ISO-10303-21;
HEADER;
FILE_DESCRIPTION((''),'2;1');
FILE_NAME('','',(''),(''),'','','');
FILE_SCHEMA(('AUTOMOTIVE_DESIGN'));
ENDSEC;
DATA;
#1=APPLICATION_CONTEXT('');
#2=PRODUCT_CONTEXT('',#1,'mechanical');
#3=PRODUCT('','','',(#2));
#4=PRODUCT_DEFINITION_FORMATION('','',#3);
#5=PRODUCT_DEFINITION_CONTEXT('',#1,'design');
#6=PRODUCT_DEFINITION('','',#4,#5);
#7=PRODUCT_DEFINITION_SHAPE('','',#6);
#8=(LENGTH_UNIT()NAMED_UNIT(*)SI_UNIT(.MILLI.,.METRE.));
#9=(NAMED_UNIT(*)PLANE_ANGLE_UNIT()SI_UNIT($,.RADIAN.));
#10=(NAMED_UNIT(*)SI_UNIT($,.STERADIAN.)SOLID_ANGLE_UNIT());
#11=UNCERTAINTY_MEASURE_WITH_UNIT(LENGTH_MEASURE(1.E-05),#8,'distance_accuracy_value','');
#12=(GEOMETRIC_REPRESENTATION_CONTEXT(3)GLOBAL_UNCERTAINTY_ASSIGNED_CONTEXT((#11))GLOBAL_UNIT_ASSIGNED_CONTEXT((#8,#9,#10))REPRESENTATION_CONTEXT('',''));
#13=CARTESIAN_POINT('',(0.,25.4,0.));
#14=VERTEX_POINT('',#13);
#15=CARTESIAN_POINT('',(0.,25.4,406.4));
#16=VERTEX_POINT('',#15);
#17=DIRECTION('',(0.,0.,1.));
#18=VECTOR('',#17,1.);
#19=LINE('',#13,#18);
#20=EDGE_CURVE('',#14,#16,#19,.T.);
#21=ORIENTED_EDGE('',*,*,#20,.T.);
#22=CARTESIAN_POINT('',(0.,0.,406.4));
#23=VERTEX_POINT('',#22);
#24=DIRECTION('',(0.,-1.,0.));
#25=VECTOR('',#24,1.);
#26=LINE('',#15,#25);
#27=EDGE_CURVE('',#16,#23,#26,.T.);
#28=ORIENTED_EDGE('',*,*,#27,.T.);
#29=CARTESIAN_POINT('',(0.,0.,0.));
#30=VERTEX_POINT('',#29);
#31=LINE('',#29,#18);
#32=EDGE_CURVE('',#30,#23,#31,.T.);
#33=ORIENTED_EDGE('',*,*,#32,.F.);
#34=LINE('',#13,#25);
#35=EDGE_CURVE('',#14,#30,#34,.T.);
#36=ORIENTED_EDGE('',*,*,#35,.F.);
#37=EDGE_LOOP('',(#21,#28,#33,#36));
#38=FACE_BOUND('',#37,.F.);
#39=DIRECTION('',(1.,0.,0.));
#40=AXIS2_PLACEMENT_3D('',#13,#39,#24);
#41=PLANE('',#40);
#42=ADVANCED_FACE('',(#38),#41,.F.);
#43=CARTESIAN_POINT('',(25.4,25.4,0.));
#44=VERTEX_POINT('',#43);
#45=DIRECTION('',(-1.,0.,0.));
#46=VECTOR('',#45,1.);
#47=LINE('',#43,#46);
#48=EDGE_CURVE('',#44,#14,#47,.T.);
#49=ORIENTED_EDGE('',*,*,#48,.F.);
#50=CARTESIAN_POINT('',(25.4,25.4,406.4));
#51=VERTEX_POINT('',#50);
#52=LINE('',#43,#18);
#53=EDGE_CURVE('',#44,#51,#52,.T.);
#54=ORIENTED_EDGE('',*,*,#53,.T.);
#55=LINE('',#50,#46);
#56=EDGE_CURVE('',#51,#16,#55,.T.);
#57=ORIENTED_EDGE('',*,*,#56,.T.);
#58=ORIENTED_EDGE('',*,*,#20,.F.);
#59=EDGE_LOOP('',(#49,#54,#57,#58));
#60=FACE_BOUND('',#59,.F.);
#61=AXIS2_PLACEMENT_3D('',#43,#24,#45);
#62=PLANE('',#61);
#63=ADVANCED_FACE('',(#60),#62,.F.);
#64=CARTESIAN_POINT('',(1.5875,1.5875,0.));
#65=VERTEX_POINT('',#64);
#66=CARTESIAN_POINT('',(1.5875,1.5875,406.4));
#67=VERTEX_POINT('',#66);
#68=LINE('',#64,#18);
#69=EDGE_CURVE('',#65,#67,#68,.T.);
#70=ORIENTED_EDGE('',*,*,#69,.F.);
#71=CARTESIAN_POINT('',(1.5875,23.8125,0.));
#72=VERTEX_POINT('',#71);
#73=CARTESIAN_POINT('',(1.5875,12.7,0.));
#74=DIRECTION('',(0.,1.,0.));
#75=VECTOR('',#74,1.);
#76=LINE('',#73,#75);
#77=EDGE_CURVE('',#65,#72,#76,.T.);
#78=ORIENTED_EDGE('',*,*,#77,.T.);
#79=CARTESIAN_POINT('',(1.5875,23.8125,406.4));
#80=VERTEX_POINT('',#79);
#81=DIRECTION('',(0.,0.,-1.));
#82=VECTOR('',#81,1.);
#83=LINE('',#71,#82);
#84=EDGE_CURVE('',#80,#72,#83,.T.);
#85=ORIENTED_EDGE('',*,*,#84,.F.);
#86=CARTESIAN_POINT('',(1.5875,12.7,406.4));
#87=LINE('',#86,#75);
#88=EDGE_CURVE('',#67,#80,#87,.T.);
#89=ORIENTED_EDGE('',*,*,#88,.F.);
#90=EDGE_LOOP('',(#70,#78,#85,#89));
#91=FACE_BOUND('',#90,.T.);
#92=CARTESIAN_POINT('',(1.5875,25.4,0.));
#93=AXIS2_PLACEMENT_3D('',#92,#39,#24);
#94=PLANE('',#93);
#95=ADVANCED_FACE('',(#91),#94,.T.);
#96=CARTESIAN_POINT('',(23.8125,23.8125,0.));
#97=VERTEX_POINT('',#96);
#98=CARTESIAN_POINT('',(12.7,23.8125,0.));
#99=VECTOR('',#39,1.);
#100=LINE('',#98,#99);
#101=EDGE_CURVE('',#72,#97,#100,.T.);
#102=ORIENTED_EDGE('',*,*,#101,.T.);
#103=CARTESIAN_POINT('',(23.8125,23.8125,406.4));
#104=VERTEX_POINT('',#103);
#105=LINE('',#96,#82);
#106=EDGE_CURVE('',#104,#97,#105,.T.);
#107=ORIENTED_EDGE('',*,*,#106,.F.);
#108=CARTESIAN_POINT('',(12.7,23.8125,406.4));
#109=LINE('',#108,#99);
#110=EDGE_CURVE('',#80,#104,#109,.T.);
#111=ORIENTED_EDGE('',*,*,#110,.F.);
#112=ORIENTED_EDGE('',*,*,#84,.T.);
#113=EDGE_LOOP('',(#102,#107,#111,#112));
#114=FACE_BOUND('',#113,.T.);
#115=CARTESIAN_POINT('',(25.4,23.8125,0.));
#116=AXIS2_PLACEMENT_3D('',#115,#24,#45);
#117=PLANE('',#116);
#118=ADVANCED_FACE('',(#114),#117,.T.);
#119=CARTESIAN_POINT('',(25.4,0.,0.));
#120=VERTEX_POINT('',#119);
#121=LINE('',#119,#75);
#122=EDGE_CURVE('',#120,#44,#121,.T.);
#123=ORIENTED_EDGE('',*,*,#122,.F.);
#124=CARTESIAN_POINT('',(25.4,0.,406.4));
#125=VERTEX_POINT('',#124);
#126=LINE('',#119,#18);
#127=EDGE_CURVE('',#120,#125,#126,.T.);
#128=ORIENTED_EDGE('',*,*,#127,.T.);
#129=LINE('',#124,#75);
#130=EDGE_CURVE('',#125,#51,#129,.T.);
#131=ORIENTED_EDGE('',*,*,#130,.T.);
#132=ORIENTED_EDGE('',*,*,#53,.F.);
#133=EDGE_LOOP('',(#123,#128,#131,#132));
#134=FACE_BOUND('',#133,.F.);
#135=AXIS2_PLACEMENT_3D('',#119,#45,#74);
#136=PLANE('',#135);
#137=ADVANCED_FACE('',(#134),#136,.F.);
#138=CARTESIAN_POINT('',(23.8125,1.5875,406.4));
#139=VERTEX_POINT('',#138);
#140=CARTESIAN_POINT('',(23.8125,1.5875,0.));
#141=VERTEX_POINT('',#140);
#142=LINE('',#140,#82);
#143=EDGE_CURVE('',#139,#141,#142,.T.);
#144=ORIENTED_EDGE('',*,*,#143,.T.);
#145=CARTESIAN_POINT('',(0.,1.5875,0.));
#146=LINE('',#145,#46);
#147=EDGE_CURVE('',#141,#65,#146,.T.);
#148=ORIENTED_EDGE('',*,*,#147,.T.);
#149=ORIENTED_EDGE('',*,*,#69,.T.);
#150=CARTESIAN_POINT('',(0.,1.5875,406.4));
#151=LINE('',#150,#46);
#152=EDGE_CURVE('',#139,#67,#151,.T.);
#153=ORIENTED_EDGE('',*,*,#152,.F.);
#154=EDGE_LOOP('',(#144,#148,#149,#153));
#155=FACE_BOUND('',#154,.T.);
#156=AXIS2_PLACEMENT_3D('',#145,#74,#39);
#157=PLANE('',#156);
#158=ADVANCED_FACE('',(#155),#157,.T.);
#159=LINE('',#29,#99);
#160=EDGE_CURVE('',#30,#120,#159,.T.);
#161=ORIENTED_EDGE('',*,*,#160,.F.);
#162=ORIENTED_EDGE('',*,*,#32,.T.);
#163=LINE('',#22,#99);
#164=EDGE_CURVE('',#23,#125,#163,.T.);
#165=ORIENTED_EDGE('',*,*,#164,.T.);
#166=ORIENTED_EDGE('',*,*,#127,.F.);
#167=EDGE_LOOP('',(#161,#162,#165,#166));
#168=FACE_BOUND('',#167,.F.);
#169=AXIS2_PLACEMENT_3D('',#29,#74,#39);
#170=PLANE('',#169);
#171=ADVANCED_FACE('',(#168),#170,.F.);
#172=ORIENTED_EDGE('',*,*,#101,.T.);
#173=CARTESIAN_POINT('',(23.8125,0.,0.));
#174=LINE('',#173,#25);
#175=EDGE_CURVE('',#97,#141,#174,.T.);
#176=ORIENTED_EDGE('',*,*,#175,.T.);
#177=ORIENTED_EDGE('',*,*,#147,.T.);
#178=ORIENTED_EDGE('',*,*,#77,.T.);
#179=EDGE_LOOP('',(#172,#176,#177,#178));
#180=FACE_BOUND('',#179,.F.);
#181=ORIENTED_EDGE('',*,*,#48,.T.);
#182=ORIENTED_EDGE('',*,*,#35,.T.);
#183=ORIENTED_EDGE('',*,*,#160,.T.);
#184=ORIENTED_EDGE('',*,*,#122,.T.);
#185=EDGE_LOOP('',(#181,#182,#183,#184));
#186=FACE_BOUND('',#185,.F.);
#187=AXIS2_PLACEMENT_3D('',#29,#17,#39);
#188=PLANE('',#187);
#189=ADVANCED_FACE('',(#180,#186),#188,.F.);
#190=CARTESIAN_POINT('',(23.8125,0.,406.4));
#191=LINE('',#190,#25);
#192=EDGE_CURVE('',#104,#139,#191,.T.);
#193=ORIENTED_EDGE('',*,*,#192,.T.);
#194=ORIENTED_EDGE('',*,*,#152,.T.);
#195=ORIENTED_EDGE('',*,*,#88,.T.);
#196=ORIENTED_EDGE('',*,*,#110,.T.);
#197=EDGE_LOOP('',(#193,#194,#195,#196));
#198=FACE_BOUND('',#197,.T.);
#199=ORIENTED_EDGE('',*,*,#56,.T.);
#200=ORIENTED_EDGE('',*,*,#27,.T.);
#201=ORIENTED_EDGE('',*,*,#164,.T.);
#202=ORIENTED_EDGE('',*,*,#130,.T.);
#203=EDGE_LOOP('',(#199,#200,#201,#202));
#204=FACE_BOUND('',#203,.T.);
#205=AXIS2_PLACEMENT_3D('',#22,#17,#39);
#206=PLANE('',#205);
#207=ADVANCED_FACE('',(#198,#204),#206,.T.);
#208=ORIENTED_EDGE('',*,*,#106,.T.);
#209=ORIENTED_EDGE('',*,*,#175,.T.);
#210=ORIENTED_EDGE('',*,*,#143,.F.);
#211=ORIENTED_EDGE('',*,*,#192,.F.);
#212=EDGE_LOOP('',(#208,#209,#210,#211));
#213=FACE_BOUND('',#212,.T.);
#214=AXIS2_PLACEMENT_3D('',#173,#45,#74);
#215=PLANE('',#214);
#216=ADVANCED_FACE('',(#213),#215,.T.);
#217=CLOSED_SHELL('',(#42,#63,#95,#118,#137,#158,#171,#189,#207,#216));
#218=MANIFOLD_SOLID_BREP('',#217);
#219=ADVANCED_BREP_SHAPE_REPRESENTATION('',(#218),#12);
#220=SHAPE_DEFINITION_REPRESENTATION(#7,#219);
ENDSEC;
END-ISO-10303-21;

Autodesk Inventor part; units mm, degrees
ref_plane "YZ Plane" through (0, 0, 0) normal (1, 0, 0) x (0, 1, 0)
ref_plane "XZ Plane" through (0, 0, 0) normal (0, 1, 0) x (-1, 0, 0)
ref_plane "XY Plane" through (0, 0, 0) normal (0, 0, 1) x (1, 0, 0)
sketch "Sketch1" plane through (0, 0, 0) normal (0, 0, 1) x (1, 0, 0)
  line L0 (0, 0) -> (25.4, 0)
  line L1 (25.4, 0) -> (25.4, 25.4)
  line L2 (25.4, 25.4) -> (0, 25.4)
  line L3 (0, 25.4) -> (0, 0)
  dimension "d0" = 25.4
  dimension "d1" = 25.4
extrude "Extrusion1" add sketch "Sketch1" along normal blind 406.4
shell "Shell1" thickness 1.5875 removed faces 2 at (8.4667, 16.9333, 0) at (8.4667, 16.9333, 406.4)
properties part number "Frame_TopCrossRail" material "Aluminum-6061"
